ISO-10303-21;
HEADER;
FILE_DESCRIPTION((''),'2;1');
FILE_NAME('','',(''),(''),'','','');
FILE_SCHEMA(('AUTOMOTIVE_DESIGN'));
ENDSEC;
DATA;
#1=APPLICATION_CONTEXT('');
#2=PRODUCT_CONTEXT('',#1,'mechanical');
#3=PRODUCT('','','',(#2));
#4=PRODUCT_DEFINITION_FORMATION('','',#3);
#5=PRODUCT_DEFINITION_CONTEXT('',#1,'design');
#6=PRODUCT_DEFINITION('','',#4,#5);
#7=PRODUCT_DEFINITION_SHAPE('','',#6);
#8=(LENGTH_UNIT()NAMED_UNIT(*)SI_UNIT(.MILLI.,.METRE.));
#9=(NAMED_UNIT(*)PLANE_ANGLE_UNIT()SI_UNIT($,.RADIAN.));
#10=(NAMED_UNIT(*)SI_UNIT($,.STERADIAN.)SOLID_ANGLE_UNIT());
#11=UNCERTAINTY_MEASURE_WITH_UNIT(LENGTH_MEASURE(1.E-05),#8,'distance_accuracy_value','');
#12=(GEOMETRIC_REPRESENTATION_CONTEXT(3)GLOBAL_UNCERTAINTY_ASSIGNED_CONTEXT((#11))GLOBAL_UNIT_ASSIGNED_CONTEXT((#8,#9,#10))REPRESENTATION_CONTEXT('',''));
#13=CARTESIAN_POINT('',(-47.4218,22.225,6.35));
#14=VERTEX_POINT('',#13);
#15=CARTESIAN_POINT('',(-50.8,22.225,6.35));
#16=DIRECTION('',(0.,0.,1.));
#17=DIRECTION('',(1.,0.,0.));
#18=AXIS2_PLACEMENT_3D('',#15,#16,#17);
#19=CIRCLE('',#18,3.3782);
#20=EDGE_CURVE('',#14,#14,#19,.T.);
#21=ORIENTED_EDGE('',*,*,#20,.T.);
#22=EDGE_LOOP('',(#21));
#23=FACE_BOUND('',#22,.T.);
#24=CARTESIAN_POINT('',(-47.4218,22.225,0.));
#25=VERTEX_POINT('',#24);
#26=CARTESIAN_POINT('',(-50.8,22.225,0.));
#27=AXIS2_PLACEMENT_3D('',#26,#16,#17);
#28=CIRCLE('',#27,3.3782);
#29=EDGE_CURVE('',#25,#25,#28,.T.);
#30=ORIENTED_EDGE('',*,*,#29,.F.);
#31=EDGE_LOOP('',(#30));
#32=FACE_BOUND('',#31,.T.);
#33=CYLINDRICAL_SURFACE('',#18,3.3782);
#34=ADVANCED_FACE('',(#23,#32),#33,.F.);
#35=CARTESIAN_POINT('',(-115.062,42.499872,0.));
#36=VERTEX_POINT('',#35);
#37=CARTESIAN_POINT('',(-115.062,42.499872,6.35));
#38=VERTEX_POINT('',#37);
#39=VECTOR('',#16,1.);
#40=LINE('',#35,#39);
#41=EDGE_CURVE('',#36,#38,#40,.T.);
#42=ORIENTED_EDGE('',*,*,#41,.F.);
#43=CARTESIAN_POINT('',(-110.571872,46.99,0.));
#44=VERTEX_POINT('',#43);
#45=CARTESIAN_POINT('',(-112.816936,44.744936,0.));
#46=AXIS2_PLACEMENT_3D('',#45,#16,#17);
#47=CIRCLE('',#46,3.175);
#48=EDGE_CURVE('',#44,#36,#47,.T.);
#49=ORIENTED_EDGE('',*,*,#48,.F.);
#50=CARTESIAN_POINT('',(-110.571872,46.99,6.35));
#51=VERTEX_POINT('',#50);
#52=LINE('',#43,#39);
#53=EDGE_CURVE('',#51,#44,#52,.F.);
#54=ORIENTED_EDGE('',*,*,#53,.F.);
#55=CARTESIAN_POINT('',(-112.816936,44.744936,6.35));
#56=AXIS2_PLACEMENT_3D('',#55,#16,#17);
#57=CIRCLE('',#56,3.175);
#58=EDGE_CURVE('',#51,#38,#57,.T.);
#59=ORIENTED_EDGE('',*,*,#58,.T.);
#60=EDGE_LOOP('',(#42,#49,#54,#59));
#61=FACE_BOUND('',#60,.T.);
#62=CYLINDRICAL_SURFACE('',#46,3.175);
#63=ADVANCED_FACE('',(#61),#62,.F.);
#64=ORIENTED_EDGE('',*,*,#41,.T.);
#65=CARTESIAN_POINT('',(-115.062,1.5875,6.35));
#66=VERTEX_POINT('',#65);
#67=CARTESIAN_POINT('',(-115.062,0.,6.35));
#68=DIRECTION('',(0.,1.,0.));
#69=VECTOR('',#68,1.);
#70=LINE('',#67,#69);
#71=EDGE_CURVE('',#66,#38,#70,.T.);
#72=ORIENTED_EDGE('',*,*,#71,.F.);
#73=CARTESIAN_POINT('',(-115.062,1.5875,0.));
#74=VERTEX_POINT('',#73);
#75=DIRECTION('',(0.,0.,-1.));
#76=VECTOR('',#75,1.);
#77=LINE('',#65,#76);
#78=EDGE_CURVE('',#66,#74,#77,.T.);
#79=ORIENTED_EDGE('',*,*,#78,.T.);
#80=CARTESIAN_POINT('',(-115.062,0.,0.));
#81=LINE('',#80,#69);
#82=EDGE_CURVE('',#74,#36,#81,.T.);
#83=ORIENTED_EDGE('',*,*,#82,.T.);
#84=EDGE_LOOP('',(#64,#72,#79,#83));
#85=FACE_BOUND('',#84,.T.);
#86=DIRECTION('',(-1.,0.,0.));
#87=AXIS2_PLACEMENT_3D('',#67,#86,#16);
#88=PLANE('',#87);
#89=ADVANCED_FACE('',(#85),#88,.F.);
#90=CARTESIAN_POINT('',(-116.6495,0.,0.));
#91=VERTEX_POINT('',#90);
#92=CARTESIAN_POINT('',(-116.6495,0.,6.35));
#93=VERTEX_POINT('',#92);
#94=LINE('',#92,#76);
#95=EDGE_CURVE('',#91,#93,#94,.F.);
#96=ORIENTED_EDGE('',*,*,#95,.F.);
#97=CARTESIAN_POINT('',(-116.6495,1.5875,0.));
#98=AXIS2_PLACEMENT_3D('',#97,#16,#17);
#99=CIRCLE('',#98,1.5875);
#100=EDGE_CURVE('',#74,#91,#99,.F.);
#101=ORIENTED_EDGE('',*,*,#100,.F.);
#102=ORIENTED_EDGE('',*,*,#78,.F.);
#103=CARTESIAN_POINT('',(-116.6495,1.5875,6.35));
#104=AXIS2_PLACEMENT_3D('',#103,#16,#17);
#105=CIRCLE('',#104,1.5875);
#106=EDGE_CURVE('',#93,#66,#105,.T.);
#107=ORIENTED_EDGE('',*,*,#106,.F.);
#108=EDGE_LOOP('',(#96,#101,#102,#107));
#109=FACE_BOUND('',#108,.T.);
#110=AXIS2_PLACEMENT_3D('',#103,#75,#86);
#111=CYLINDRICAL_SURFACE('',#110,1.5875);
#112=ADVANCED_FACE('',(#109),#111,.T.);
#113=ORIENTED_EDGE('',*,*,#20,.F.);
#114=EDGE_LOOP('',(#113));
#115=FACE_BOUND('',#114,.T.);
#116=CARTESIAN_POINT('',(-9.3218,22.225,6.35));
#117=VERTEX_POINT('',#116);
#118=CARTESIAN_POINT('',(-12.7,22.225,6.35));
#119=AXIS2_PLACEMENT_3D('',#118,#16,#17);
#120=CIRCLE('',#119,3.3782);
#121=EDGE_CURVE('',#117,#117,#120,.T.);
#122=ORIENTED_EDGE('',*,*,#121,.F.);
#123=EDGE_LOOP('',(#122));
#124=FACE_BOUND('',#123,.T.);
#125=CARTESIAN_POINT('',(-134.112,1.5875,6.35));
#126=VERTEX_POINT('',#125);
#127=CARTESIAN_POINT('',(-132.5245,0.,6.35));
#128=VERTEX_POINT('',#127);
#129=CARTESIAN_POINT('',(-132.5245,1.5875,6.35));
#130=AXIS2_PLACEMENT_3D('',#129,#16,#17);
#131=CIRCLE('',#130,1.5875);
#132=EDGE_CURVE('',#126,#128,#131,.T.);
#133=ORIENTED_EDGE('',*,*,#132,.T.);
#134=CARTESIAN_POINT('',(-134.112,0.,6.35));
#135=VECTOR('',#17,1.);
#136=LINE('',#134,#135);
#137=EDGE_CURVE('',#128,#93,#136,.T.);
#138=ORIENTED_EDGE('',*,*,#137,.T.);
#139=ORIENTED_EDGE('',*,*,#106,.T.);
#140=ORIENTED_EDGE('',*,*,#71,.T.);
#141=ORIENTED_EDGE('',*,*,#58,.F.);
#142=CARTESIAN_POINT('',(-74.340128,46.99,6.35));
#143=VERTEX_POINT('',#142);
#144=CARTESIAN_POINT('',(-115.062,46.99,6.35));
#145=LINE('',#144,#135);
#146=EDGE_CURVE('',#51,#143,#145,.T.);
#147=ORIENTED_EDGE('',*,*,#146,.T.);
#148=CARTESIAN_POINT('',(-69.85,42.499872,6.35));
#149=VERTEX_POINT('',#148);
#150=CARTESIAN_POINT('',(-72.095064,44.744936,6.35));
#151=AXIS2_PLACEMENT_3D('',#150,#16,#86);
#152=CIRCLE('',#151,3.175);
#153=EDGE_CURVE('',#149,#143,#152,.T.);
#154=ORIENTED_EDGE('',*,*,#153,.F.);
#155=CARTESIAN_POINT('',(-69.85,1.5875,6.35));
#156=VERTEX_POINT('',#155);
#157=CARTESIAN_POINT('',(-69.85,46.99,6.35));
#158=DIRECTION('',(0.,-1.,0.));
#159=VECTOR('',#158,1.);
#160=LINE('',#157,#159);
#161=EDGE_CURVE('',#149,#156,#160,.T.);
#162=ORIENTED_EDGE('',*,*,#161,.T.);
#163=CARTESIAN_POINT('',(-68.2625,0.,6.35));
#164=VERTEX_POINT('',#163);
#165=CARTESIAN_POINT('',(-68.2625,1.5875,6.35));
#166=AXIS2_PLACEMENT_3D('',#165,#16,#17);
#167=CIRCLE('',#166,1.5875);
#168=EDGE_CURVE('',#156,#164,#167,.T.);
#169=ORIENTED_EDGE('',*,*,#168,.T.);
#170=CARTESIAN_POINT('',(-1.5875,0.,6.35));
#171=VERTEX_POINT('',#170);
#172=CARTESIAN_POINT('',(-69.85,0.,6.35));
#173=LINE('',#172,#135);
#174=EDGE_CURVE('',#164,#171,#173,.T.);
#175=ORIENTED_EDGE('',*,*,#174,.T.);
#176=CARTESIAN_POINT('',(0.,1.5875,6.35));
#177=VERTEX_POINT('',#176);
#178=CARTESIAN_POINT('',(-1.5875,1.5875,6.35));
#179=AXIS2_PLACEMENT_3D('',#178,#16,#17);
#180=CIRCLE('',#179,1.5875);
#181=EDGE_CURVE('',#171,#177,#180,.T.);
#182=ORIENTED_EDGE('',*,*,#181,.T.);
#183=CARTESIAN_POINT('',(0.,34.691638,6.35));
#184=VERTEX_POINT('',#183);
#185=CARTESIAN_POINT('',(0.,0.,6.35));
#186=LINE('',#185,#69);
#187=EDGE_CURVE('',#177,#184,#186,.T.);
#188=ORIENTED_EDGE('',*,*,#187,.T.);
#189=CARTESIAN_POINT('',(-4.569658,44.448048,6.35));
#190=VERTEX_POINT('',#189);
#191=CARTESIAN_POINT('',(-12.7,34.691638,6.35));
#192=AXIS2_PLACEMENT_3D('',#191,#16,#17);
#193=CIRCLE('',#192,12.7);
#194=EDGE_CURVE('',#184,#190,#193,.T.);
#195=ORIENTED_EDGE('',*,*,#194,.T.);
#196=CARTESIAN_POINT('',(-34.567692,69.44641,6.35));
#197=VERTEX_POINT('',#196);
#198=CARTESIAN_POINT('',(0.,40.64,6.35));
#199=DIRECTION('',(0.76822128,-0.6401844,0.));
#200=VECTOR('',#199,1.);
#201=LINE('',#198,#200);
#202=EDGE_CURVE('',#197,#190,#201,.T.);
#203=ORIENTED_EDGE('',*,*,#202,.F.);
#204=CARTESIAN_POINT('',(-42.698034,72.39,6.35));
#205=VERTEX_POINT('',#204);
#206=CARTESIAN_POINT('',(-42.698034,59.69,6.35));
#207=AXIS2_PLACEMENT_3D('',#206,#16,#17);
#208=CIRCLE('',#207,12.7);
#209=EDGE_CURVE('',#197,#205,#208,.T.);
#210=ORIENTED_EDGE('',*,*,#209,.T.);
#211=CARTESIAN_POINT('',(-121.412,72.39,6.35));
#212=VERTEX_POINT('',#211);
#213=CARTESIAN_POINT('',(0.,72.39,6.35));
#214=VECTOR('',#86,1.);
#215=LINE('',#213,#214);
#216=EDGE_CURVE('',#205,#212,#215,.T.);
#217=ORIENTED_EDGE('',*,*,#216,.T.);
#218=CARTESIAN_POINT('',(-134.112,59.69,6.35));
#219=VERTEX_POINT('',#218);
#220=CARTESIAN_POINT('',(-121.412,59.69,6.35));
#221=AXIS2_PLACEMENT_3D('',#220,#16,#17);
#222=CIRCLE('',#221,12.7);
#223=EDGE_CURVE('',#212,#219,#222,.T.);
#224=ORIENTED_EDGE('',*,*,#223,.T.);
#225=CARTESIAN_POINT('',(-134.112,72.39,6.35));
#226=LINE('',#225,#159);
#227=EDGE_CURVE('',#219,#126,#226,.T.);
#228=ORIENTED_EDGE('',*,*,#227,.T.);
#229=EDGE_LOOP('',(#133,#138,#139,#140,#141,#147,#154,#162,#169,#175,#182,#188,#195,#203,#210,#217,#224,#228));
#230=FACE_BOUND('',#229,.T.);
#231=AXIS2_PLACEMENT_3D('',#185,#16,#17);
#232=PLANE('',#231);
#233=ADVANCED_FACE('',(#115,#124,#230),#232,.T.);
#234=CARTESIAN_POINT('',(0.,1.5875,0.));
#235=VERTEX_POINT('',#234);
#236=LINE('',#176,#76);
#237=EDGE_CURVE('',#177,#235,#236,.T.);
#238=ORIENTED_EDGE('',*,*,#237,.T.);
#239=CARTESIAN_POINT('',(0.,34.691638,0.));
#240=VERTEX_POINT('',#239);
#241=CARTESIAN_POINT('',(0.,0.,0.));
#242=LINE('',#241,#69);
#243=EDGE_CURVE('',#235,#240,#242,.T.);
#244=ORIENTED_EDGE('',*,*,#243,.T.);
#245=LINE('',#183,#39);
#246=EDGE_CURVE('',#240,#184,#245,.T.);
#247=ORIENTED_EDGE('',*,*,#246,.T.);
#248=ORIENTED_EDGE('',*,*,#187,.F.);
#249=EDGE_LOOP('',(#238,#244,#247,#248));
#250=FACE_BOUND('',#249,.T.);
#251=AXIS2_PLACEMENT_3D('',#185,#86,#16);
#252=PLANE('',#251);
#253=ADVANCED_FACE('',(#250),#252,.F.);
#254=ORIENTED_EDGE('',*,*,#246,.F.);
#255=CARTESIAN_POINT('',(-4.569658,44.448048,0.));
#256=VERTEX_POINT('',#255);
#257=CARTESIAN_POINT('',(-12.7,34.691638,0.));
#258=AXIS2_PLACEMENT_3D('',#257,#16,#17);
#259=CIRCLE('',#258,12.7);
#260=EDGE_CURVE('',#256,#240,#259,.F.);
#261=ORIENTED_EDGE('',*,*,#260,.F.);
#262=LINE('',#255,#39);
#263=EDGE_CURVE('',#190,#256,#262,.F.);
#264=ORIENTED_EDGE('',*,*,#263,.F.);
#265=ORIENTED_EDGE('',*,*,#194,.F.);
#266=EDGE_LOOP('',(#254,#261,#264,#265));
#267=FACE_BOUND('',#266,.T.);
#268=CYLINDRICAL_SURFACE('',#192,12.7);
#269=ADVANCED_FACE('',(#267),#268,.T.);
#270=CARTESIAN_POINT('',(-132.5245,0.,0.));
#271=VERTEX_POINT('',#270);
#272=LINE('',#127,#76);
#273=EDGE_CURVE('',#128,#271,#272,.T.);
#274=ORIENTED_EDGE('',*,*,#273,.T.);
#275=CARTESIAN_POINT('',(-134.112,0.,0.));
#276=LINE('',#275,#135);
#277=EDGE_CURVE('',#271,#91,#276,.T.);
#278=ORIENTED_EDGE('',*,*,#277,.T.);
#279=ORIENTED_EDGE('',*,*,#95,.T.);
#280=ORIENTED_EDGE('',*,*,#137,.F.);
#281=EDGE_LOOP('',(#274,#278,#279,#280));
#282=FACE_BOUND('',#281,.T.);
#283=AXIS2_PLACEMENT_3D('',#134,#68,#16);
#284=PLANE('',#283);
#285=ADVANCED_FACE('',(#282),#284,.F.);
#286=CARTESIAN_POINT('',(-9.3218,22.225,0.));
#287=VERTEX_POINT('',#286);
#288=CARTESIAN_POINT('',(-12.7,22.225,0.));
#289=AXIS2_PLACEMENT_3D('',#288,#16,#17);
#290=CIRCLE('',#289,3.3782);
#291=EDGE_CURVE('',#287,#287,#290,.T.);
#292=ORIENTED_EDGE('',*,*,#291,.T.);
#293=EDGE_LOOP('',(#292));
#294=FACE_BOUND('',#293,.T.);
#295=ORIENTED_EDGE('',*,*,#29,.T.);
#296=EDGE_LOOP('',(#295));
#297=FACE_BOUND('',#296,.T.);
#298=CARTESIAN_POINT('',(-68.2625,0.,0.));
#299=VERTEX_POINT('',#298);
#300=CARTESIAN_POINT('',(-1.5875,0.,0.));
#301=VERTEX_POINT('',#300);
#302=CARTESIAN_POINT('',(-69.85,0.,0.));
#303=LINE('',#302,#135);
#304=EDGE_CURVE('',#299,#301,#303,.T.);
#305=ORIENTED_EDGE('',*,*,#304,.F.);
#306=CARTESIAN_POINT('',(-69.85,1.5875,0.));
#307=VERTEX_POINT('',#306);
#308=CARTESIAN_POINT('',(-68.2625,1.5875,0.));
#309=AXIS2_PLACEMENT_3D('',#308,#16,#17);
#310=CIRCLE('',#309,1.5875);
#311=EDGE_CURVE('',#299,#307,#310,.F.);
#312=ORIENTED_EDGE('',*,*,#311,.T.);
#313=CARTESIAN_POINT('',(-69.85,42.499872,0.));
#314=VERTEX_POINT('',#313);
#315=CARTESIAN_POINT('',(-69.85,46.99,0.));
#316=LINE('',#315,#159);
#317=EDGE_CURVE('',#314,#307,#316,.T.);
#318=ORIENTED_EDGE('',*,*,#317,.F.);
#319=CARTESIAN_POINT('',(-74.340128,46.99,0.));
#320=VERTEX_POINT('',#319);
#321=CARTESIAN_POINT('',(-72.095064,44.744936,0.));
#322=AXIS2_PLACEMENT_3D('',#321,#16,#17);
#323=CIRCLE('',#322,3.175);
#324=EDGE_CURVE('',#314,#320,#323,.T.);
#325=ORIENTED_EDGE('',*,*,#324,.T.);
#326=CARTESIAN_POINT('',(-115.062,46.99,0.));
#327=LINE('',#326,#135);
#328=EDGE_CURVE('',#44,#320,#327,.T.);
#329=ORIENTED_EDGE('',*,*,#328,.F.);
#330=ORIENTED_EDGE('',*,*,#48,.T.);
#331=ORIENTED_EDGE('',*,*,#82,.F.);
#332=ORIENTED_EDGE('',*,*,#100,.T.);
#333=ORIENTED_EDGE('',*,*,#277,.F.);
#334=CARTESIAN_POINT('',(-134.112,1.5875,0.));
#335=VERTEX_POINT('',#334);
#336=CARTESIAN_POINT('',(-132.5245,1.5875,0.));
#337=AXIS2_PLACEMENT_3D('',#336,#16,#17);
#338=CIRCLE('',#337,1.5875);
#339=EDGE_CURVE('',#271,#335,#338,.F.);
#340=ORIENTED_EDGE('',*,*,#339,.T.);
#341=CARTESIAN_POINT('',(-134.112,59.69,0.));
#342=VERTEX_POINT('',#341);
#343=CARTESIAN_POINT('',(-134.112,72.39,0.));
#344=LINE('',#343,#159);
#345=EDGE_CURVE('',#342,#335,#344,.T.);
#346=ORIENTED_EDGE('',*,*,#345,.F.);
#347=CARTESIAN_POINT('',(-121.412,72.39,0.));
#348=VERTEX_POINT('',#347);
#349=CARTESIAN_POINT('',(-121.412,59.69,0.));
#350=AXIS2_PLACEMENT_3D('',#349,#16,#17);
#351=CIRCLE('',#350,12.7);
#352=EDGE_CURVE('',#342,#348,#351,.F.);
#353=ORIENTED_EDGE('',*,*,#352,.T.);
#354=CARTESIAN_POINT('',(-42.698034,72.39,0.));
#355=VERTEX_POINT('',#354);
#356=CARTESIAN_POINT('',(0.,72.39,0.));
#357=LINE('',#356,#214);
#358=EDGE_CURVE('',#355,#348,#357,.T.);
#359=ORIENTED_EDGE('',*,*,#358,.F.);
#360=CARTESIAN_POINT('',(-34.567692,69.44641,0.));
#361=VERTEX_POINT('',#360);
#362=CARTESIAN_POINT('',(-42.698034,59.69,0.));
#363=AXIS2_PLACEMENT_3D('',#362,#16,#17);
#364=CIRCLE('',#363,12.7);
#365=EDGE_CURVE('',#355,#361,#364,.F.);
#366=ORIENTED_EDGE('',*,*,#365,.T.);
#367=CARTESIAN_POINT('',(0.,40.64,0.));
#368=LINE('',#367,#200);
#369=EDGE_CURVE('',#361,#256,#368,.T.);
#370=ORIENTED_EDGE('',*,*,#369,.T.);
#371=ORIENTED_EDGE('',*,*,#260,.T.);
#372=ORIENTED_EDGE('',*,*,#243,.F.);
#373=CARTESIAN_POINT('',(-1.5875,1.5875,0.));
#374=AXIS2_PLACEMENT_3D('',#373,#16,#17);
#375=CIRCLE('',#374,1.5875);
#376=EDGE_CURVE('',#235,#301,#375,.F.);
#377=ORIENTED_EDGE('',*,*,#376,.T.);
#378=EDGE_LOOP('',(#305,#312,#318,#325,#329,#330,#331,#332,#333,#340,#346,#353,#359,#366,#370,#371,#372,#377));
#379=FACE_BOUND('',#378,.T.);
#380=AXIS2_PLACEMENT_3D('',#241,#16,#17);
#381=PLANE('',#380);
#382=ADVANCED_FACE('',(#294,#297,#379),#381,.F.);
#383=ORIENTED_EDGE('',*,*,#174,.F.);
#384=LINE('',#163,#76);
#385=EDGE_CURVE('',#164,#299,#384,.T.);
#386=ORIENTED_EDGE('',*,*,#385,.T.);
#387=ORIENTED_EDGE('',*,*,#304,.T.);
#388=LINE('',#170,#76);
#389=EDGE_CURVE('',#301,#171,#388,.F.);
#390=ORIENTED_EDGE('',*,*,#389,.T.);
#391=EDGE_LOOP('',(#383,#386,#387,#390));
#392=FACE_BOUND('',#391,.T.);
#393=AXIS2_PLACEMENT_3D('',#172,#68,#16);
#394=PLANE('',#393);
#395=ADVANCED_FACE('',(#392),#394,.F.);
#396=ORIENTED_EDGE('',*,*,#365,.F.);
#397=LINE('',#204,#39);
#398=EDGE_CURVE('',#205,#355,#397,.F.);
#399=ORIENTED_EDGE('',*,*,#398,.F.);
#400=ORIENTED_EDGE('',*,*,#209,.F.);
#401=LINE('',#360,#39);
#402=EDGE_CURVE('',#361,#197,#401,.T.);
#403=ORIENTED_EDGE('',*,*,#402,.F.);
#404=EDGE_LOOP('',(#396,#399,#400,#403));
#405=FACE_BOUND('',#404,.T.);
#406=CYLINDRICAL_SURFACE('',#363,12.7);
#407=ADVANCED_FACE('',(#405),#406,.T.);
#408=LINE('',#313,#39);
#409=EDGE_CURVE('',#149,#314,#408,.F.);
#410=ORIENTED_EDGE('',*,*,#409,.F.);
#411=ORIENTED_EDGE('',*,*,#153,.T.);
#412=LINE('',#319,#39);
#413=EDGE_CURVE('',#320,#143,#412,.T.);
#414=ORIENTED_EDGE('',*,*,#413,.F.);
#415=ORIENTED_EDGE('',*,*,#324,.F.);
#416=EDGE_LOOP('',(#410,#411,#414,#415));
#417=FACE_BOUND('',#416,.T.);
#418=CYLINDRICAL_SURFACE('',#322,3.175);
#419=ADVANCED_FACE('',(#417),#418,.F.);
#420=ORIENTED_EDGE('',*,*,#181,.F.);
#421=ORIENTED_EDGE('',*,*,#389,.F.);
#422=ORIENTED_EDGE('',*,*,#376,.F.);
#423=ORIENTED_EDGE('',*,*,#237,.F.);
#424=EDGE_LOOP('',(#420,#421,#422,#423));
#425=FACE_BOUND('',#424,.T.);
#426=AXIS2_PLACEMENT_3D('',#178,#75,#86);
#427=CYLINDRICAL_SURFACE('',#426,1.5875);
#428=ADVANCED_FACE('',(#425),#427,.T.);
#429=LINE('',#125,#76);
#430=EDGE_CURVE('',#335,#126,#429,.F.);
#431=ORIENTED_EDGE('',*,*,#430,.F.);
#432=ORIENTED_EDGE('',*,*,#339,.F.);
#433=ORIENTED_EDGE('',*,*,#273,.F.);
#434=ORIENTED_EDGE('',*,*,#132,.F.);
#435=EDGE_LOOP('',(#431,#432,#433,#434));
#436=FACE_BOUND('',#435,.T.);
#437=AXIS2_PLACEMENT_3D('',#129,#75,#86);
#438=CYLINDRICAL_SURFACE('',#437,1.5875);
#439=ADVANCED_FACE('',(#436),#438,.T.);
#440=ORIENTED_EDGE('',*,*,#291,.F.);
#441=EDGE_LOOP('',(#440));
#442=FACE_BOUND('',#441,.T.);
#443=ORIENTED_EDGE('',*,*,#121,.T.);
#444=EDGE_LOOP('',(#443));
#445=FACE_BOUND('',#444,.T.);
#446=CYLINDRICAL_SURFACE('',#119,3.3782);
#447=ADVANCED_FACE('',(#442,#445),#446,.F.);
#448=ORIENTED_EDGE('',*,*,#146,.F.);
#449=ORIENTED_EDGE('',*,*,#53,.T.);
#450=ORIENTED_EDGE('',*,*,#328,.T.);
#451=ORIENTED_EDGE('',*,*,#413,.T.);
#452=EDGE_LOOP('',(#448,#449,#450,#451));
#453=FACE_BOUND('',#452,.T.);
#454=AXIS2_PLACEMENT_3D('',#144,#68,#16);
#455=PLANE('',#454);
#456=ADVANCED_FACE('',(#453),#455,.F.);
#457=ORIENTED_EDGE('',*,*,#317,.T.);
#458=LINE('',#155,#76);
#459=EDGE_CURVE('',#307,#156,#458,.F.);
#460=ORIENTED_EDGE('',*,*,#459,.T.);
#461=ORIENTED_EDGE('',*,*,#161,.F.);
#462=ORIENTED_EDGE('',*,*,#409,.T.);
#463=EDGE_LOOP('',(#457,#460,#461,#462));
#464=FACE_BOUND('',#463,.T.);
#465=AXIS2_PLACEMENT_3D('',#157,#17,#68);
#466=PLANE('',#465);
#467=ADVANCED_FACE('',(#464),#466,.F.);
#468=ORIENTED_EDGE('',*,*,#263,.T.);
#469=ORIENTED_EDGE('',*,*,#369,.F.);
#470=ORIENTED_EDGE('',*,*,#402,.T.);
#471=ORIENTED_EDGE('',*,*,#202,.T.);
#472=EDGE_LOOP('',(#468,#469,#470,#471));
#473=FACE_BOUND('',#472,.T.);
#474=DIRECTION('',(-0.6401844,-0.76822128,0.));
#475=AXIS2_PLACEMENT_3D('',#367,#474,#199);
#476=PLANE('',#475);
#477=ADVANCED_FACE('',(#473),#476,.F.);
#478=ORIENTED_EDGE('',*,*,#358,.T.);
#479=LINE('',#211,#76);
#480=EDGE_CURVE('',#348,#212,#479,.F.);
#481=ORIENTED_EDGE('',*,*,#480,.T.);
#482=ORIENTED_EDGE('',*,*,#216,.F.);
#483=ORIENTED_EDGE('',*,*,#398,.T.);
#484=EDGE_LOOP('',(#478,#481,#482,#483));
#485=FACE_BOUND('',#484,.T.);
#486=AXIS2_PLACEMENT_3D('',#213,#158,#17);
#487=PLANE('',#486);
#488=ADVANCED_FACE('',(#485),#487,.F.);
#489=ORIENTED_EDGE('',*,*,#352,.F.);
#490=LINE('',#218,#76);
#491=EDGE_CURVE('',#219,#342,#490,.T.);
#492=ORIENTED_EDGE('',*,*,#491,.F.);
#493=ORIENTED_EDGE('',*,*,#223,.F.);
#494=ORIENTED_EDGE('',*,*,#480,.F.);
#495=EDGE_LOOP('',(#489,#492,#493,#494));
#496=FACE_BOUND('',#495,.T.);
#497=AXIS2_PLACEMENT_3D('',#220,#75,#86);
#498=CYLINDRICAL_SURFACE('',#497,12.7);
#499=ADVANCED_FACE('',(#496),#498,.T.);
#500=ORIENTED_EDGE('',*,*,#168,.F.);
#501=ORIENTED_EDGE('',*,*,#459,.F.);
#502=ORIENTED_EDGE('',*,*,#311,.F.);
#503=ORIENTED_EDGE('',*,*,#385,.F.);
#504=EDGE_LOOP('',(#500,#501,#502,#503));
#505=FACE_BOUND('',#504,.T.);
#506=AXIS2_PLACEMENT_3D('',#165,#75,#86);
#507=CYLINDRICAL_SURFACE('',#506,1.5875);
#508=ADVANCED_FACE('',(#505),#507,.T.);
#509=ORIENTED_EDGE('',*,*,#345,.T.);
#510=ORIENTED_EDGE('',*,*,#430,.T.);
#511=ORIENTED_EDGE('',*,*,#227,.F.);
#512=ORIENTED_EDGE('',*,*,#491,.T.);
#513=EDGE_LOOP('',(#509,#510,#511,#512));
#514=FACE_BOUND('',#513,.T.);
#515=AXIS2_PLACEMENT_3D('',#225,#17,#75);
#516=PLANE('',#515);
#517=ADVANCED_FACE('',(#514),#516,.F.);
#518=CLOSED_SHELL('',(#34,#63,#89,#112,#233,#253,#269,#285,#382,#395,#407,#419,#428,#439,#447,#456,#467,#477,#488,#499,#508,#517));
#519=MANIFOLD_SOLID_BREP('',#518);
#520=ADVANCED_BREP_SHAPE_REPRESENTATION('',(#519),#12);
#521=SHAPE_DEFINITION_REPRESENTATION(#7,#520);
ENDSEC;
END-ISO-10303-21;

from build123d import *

# Parameters (mm, degrees)
BOSS_EXTRUDE1_DEPTH     = 6.35
F_1_4_CLEARANCE_HOLE1_D = 6.7564
CUT_EXTRUDE1_DEPTH      = 7.35
FILLET1_R               = 1.5875
FILLET2_R               = 12.7
SKETCH7_R               = 3.175
CUT_EXTRUDE2_DEPTH      = 7.35


with BuildPart() as part:
    # Sketch3 → Boss-Extrude1 (new body)
    with BuildSketch(Plane.XY):
        Polygon((0, 0), (0, 72.39), (-134.112, 72.39), (-134.112, 0), (-115.062, 0), (-115.062, 46.99), (-69.85, 46.99), (-69.85, 0), align=None)
    extrude(amount=BOSS_EXTRUDE1_DEPTH)

    # 1/4 Clearance Hole1 (through all)
    with Locations(Plane.XY.offset(6.35)):
        with Locations((-50.8, 22.225), (-12.7, 22.225)):
            Hole(F_1_4_CLEARANCE_HOLE1_D / 2)

    # Sketch6 → Cut-Extrude1 (cut, through all)
    with BuildSketch(Plane.XY.offset(6.35)):
        Polygon((0, 72.39), (0, 40.64), (-38.1, 72.39), align=None)
    extrude(amount=-CUT_EXTRUDE1_DEPTH, mode=Mode.SUBTRACT)

    # Fillet1
    fillet1_edges = [part.edges().sort_by_distance(p)[0] for p in [
        (-69.85, 0, 3.175),
        (-115.062, 0, 3.175),
        (-134.112, 0, 3.175),
        (0, 0, 3.175),
    ]]
    fillet(fillet1_edges, radius=FILLET1_R)

    # Fillet2
    fillet2_edges = [part.edges().sort_by_distance(p)[0] for p in [
        (-134.112, 72.39, 3.175),
        (-38.1, 72.39, 3.175),
        (0, 40.64, 3.175),
    ]]
    fillet(fillet2_edges, radius=FILLET2_R)

    # Sketch7 → Cut-Extrude2 (cut, through all)
    with BuildSketch(Plane.XY.offset(6.35)):
        with Locations((-112.81693597, 44.74493597)):
            Circle(SKETCH7_R)
        with Locations((-72.09506403, 44.74493597)):
            Circle(SKETCH7_R)
    extrude(amount=-CUT_EXTRUDE2_DEPTH, mode=Mode.SUBTRACT)


solid = part.part
